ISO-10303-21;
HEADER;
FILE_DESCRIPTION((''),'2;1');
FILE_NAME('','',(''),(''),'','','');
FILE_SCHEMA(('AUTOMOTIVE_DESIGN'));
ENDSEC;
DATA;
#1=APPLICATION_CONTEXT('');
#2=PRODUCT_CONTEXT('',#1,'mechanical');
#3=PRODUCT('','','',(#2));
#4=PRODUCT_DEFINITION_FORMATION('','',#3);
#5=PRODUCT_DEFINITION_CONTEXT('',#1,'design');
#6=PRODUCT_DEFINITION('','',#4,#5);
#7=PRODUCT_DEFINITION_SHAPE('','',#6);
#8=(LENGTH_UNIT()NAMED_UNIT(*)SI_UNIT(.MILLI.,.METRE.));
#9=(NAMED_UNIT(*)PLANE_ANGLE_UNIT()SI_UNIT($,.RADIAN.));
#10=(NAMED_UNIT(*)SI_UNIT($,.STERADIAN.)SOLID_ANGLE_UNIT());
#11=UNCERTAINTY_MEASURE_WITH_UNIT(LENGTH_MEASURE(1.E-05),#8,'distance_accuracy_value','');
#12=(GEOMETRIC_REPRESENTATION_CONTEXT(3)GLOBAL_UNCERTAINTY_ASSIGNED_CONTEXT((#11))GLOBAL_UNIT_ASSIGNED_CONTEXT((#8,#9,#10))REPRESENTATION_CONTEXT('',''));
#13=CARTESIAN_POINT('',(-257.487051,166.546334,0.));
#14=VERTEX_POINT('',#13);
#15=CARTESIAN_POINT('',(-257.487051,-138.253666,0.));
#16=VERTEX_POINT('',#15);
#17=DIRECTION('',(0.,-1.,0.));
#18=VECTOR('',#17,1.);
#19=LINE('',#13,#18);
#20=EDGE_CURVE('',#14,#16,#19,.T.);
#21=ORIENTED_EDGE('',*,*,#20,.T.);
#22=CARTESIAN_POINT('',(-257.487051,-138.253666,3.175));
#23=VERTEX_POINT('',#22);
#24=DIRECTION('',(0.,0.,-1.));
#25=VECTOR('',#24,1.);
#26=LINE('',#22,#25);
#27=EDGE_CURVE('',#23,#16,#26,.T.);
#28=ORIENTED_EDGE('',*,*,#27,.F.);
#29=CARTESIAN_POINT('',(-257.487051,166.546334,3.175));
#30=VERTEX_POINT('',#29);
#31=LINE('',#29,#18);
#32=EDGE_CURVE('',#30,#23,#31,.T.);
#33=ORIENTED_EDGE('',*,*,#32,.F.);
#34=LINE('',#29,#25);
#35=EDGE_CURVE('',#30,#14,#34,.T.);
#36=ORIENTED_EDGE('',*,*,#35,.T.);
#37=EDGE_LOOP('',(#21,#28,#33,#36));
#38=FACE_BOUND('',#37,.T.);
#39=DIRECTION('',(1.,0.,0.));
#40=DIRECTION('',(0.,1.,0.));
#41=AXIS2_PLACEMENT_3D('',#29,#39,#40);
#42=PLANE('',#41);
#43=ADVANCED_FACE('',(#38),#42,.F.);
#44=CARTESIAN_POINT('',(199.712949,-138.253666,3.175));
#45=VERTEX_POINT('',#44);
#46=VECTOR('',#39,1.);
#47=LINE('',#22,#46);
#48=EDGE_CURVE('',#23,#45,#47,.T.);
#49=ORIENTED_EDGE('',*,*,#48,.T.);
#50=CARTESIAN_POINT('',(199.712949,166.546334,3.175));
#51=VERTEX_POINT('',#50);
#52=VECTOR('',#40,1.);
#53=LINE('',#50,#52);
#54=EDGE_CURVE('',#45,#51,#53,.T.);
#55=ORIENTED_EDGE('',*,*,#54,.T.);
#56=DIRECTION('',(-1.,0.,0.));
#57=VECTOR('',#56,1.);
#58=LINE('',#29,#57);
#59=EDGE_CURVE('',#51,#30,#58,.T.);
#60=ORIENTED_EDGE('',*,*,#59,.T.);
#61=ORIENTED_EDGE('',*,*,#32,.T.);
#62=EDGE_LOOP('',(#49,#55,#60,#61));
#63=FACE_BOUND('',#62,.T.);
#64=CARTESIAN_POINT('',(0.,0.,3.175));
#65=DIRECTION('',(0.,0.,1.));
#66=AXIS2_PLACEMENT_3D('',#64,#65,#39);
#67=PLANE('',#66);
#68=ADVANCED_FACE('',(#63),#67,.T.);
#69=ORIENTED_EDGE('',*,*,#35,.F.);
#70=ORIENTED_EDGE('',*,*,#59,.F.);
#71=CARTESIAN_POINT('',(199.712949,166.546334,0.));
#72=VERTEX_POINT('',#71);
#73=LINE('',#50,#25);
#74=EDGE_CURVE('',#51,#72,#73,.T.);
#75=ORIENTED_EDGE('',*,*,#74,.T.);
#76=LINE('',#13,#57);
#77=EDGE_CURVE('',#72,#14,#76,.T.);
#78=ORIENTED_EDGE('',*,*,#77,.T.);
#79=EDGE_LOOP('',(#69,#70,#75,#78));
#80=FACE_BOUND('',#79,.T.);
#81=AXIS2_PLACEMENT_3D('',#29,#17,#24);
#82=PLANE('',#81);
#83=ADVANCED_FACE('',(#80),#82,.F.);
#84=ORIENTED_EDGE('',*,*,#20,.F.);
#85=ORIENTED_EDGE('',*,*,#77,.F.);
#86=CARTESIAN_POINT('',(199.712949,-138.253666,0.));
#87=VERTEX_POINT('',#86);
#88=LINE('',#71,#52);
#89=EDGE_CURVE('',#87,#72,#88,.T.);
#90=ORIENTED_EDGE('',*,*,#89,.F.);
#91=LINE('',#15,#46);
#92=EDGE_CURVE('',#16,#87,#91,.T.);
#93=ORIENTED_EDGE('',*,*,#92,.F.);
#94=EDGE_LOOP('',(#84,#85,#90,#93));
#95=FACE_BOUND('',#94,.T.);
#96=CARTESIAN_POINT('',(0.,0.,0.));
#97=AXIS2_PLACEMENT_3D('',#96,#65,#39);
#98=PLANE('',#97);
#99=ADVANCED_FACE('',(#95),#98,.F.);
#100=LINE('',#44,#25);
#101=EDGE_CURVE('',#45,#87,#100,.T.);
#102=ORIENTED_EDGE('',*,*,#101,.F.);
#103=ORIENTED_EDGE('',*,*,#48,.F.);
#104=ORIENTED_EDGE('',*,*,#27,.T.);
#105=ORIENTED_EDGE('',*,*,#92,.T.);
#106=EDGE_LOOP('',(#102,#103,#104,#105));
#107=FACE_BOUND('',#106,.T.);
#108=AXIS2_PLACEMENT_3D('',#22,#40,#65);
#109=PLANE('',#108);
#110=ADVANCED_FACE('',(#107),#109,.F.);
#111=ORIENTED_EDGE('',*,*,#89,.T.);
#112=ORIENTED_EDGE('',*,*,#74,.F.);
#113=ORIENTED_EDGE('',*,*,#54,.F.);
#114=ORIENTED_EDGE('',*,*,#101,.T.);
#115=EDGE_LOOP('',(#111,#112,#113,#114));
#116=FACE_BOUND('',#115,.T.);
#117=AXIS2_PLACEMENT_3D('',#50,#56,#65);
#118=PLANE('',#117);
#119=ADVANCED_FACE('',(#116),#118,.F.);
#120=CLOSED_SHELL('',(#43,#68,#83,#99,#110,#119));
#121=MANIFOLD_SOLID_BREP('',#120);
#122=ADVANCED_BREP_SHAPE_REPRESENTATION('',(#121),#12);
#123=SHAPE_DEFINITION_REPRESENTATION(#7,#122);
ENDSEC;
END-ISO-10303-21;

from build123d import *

# Parameters (mm, degrees)
SKETCH1_W           = 457.2
SKETCH1_H           = 304.8
BOSS_EXTRUDE1_DEPTH = 3.175


with BuildPart() as part:
    # Sketch1 → Boss-Extrude1 (new body)
    with BuildSketch(Plane.XY):
        with Locations((-28.887051482, 14.146333853)):
            Rectangle(SKETCH1_W, SKETCH1_H)
    extrude(amount=BOSS_EXTRUDE1_DEPTH)


solid = part.part
